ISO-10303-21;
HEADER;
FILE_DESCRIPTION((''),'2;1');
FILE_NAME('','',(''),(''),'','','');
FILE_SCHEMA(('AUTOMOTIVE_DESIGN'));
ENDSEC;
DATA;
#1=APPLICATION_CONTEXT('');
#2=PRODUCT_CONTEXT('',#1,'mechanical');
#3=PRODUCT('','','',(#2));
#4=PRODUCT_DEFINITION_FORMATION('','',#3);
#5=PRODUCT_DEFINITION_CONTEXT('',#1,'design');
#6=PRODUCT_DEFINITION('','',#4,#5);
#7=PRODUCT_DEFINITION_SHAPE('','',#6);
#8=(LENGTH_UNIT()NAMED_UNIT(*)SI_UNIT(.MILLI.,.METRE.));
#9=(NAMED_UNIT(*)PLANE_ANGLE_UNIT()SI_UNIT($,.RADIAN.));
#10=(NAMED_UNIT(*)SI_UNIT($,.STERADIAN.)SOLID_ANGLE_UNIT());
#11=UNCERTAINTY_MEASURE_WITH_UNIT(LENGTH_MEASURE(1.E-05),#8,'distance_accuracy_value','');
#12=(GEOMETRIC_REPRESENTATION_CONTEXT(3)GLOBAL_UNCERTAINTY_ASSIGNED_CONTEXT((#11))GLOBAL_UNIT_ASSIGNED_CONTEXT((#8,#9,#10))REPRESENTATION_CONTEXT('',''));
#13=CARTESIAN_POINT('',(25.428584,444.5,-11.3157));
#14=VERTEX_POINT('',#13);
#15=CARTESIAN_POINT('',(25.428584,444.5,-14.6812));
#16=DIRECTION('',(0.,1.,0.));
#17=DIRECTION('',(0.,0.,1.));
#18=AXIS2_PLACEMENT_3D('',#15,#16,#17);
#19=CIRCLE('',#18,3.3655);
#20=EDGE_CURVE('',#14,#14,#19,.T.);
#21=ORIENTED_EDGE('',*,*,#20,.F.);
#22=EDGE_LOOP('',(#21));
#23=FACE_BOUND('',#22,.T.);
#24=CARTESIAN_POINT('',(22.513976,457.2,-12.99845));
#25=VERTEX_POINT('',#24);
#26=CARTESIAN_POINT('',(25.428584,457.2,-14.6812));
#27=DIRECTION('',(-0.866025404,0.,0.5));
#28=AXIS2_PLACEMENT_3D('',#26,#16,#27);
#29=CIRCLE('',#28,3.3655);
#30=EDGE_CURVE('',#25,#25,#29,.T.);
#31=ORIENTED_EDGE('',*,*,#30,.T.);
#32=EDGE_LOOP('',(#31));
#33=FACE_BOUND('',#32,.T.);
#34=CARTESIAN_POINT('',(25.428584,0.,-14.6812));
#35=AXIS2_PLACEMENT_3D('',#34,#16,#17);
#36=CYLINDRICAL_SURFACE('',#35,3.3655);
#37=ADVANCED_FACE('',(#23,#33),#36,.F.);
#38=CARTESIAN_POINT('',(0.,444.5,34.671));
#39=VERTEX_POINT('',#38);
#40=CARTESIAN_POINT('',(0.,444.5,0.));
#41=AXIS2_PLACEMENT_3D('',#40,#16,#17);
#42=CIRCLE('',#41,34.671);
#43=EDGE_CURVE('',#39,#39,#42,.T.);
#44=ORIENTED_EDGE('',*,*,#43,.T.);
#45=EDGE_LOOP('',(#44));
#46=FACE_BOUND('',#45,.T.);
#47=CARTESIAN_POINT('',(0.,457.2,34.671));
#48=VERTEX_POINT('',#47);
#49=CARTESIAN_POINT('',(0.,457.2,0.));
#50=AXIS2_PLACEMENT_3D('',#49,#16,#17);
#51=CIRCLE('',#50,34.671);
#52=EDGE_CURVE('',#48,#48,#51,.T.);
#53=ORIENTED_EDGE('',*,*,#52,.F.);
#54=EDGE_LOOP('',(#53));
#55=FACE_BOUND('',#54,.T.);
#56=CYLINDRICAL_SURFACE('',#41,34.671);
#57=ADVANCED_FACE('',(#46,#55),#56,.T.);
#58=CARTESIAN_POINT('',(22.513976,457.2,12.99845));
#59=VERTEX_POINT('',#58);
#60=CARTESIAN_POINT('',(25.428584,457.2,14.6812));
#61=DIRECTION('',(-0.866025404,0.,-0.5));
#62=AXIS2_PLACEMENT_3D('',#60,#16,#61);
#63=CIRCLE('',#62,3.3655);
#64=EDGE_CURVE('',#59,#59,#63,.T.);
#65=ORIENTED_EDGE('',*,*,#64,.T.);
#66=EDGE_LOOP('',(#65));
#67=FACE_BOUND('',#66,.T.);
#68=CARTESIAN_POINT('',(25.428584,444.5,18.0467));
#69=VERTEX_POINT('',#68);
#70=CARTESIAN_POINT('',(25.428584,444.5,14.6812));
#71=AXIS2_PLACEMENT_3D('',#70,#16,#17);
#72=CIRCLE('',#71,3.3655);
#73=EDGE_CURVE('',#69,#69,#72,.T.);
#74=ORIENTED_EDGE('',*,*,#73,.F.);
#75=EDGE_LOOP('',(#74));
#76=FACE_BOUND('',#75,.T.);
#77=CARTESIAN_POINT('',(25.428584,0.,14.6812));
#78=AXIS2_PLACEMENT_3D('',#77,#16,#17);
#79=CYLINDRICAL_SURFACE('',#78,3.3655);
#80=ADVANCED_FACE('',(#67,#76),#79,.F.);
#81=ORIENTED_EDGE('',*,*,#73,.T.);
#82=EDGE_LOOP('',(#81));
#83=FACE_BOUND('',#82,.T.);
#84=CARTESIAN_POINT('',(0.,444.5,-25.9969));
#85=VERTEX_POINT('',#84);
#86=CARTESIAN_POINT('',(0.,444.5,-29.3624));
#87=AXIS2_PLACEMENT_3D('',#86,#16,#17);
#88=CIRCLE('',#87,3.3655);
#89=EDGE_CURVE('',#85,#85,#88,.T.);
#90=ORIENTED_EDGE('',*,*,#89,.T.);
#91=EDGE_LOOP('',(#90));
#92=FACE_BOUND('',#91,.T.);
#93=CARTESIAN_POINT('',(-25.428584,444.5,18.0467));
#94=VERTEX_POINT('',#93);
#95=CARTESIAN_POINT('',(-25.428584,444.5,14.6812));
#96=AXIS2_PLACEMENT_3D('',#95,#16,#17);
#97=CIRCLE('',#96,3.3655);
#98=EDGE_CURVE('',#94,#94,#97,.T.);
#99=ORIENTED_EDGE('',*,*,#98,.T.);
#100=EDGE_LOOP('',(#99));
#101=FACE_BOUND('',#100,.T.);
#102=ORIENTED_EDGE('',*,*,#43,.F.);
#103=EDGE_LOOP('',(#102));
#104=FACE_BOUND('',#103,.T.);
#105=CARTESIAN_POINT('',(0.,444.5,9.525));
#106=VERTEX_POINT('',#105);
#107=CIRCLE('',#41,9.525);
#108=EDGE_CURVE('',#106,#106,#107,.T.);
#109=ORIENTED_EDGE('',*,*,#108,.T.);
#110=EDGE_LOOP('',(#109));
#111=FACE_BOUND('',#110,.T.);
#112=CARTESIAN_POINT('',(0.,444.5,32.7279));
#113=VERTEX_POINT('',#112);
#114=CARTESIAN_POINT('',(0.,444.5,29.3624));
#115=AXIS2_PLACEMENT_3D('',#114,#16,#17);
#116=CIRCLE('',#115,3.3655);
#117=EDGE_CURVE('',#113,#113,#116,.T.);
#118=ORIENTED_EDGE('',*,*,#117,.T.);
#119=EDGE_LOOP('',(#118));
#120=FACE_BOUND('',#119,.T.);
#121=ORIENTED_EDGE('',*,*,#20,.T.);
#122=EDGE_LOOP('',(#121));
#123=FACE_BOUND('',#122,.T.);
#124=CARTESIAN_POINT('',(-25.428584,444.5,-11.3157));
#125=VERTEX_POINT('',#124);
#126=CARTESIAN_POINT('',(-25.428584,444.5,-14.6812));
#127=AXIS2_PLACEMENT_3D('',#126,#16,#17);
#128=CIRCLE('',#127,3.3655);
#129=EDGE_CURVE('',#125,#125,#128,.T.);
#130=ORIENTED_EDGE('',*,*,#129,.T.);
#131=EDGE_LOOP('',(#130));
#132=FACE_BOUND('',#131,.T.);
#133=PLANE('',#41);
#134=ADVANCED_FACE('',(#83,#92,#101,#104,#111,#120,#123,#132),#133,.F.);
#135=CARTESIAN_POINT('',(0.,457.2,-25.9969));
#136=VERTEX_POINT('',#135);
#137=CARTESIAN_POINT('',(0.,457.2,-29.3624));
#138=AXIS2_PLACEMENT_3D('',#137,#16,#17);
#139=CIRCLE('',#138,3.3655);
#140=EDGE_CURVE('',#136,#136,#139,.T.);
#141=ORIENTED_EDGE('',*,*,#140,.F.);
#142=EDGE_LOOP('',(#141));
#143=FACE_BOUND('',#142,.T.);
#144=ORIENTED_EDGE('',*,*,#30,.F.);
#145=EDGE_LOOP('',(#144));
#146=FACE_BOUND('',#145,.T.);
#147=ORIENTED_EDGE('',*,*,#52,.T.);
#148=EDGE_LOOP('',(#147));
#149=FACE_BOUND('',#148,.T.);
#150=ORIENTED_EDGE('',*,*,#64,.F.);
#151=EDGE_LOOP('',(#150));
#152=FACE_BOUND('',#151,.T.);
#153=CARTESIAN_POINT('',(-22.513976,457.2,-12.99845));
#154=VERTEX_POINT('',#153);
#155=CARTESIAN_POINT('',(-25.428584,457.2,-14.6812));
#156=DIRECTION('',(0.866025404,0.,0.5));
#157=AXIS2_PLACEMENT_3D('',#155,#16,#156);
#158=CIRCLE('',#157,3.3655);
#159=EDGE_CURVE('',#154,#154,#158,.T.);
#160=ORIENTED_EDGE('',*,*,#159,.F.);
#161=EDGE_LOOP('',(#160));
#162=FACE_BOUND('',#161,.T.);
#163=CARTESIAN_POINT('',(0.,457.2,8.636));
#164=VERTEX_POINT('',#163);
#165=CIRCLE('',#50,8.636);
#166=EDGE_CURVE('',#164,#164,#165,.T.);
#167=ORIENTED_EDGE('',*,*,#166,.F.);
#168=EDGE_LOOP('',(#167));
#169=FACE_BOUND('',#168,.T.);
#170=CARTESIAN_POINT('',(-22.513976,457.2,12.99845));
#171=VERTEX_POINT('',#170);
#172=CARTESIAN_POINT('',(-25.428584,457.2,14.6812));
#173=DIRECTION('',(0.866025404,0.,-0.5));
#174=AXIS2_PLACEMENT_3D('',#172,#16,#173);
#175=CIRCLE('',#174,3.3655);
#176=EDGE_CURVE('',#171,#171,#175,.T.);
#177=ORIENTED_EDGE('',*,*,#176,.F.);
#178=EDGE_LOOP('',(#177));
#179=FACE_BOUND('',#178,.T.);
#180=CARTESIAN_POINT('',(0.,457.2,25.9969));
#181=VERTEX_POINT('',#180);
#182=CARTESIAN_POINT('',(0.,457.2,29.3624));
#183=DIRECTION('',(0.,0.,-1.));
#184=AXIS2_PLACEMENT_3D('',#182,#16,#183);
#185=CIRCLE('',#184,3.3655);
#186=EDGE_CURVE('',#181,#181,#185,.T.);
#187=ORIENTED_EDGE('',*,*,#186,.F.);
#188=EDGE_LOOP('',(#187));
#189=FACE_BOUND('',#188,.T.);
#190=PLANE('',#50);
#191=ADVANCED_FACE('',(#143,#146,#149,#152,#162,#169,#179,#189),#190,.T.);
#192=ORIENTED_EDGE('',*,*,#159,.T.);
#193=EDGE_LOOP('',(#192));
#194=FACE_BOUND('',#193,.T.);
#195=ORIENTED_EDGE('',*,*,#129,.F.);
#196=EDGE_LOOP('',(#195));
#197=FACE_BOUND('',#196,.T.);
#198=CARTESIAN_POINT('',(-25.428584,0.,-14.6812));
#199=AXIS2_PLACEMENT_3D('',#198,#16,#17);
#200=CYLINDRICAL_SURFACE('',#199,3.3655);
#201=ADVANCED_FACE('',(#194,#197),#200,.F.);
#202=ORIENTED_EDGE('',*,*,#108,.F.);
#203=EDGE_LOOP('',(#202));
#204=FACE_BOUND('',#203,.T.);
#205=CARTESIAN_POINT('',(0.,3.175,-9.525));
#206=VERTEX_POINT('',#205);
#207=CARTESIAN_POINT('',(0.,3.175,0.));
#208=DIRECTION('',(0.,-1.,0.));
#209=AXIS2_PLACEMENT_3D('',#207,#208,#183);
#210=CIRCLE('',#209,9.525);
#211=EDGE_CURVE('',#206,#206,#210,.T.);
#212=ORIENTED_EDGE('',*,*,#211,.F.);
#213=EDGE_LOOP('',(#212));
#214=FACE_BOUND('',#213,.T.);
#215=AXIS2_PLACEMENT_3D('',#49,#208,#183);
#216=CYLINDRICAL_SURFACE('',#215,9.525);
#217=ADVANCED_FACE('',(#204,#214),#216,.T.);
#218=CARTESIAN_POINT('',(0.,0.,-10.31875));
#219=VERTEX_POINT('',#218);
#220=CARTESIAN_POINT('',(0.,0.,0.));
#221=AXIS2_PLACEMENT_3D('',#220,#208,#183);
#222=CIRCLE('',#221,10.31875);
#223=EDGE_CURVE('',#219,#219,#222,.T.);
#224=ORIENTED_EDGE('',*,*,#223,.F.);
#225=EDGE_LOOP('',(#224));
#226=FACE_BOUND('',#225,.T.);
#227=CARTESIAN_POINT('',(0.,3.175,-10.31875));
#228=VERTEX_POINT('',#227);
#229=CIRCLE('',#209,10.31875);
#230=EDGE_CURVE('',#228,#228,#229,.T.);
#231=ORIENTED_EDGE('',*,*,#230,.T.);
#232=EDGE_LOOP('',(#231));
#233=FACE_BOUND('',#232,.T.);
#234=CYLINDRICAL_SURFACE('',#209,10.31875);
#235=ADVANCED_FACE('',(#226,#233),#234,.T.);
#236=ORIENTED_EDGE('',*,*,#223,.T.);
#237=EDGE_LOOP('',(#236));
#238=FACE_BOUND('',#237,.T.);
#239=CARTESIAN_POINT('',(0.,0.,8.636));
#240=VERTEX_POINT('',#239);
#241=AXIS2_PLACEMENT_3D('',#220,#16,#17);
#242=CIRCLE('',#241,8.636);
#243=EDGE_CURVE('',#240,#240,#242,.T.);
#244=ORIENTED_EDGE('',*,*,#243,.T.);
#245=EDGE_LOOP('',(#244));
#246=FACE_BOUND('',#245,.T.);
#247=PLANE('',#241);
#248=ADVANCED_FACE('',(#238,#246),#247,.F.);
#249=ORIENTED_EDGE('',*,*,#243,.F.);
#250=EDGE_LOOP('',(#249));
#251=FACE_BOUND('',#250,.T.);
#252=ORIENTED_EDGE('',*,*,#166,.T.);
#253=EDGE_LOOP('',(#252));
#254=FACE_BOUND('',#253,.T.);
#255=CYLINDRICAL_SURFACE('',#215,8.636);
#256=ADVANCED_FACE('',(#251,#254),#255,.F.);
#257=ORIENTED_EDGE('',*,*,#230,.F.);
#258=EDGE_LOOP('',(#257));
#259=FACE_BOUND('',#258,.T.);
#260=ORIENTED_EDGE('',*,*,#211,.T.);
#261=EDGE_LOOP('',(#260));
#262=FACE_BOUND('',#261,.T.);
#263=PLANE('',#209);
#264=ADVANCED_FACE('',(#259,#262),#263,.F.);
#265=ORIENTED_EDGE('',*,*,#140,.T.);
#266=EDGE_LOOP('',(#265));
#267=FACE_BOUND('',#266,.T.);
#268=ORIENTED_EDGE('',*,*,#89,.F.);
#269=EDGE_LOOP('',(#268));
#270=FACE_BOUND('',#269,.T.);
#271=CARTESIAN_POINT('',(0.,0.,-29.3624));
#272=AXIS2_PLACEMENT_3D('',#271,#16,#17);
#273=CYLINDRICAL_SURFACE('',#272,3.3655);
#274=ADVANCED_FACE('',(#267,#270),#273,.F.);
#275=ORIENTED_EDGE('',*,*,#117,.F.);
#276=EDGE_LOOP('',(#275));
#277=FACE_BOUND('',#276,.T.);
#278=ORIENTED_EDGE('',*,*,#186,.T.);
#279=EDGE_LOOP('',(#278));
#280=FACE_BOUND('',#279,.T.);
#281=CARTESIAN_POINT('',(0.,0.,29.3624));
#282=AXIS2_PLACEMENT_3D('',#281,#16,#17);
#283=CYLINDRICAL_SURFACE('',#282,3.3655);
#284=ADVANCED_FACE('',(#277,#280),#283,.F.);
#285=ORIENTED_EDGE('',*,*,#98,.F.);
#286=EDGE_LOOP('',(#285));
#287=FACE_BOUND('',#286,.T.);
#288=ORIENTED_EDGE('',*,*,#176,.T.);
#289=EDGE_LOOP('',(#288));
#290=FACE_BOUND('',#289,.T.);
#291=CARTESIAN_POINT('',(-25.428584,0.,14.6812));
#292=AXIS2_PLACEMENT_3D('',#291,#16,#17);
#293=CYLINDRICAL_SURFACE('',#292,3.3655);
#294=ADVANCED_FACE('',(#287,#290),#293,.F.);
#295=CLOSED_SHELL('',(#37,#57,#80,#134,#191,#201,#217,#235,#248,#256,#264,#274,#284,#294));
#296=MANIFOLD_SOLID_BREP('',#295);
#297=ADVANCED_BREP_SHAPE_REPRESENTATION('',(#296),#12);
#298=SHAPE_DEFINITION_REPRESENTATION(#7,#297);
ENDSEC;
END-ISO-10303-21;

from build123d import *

# Parameters (mm, degrees)
SKETCH1_R         = 9.525
SKETCH1_R_2       = 8.636
EXTRUDE1_DEPTH    = 457.2
SKETCH2_R         = 34.671
SKETCH2_R_2       = 8.636
EXTRUDE2_DEPTH    = 12.7
SKETCH3_R         = 3.3655
EXTRUDE3_DEPTH    = 458.2
CIRPATTERN1_COUNT = 6
SKETCH4_R         = 10.31875
SKETCH4_R_2       = 8.636
EXTRUDE4_DEPTH    = 3.175


with BuildPart() as part:
    # Sketch1 → Extrude1 (new body)
    with BuildSketch(Plane(origin=(0, 0, 0), x_dir=(1, 0, 0), z_dir=(0, 1, 0))):
        Circle(SKETCH1_R)
        Circle(SKETCH1_R_2, mode=Mode.SUBTRACT)
    extrude(amount=EXTRUDE1_DEPTH)

    # Sketch2 → Extrude2 (add)
    with BuildSketch(Plane(origin=(0, 457.2, 0), x_dir=(1, 0, 0), z_dir=(0, 1, 0))):
        Circle(SKETCH2_R)
        Circle(SKETCH2_R_2, mode=Mode.SUBTRACT)
    extrude(amount=-EXTRUDE2_DEPTH)

    # Sketch3 → Extrude3 (cut, through all)
    with BuildSketch(Plane(origin=(0, 457.2, 0), x_dir=(1, 0, 0), z_dir=(0, 1, 0))):
        with Locations((0, 29.3624)):
            Circle(SKETCH3_R)
    extrude3 = extrude(amount=-EXTRUDE3_DEPTH, mode=Mode.SUBTRACT)

    # CirPattern1: Extrude3 ×6 about axis
    cirpattern1_axis = Axis((0, 0, 0), (0, 1, 0))
    for i in range(1, CIRPATTERN1_COUNT):
        add(extrude3.rotate(cirpattern1_axis, i * 360 / CIRPATTERN1_COUNT), mode=Mode.SUBTRACT)

    # Sketch4 → Extrude4 (add)
    with BuildSketch(Plane.XZ):
        Circle(SKETCH4_R)
        Circle(SKETCH4_R_2, mode=Mode.SUBTRACT)
    extrude(amount=-EXTRUDE4_DEPTH)


solid = part.part
